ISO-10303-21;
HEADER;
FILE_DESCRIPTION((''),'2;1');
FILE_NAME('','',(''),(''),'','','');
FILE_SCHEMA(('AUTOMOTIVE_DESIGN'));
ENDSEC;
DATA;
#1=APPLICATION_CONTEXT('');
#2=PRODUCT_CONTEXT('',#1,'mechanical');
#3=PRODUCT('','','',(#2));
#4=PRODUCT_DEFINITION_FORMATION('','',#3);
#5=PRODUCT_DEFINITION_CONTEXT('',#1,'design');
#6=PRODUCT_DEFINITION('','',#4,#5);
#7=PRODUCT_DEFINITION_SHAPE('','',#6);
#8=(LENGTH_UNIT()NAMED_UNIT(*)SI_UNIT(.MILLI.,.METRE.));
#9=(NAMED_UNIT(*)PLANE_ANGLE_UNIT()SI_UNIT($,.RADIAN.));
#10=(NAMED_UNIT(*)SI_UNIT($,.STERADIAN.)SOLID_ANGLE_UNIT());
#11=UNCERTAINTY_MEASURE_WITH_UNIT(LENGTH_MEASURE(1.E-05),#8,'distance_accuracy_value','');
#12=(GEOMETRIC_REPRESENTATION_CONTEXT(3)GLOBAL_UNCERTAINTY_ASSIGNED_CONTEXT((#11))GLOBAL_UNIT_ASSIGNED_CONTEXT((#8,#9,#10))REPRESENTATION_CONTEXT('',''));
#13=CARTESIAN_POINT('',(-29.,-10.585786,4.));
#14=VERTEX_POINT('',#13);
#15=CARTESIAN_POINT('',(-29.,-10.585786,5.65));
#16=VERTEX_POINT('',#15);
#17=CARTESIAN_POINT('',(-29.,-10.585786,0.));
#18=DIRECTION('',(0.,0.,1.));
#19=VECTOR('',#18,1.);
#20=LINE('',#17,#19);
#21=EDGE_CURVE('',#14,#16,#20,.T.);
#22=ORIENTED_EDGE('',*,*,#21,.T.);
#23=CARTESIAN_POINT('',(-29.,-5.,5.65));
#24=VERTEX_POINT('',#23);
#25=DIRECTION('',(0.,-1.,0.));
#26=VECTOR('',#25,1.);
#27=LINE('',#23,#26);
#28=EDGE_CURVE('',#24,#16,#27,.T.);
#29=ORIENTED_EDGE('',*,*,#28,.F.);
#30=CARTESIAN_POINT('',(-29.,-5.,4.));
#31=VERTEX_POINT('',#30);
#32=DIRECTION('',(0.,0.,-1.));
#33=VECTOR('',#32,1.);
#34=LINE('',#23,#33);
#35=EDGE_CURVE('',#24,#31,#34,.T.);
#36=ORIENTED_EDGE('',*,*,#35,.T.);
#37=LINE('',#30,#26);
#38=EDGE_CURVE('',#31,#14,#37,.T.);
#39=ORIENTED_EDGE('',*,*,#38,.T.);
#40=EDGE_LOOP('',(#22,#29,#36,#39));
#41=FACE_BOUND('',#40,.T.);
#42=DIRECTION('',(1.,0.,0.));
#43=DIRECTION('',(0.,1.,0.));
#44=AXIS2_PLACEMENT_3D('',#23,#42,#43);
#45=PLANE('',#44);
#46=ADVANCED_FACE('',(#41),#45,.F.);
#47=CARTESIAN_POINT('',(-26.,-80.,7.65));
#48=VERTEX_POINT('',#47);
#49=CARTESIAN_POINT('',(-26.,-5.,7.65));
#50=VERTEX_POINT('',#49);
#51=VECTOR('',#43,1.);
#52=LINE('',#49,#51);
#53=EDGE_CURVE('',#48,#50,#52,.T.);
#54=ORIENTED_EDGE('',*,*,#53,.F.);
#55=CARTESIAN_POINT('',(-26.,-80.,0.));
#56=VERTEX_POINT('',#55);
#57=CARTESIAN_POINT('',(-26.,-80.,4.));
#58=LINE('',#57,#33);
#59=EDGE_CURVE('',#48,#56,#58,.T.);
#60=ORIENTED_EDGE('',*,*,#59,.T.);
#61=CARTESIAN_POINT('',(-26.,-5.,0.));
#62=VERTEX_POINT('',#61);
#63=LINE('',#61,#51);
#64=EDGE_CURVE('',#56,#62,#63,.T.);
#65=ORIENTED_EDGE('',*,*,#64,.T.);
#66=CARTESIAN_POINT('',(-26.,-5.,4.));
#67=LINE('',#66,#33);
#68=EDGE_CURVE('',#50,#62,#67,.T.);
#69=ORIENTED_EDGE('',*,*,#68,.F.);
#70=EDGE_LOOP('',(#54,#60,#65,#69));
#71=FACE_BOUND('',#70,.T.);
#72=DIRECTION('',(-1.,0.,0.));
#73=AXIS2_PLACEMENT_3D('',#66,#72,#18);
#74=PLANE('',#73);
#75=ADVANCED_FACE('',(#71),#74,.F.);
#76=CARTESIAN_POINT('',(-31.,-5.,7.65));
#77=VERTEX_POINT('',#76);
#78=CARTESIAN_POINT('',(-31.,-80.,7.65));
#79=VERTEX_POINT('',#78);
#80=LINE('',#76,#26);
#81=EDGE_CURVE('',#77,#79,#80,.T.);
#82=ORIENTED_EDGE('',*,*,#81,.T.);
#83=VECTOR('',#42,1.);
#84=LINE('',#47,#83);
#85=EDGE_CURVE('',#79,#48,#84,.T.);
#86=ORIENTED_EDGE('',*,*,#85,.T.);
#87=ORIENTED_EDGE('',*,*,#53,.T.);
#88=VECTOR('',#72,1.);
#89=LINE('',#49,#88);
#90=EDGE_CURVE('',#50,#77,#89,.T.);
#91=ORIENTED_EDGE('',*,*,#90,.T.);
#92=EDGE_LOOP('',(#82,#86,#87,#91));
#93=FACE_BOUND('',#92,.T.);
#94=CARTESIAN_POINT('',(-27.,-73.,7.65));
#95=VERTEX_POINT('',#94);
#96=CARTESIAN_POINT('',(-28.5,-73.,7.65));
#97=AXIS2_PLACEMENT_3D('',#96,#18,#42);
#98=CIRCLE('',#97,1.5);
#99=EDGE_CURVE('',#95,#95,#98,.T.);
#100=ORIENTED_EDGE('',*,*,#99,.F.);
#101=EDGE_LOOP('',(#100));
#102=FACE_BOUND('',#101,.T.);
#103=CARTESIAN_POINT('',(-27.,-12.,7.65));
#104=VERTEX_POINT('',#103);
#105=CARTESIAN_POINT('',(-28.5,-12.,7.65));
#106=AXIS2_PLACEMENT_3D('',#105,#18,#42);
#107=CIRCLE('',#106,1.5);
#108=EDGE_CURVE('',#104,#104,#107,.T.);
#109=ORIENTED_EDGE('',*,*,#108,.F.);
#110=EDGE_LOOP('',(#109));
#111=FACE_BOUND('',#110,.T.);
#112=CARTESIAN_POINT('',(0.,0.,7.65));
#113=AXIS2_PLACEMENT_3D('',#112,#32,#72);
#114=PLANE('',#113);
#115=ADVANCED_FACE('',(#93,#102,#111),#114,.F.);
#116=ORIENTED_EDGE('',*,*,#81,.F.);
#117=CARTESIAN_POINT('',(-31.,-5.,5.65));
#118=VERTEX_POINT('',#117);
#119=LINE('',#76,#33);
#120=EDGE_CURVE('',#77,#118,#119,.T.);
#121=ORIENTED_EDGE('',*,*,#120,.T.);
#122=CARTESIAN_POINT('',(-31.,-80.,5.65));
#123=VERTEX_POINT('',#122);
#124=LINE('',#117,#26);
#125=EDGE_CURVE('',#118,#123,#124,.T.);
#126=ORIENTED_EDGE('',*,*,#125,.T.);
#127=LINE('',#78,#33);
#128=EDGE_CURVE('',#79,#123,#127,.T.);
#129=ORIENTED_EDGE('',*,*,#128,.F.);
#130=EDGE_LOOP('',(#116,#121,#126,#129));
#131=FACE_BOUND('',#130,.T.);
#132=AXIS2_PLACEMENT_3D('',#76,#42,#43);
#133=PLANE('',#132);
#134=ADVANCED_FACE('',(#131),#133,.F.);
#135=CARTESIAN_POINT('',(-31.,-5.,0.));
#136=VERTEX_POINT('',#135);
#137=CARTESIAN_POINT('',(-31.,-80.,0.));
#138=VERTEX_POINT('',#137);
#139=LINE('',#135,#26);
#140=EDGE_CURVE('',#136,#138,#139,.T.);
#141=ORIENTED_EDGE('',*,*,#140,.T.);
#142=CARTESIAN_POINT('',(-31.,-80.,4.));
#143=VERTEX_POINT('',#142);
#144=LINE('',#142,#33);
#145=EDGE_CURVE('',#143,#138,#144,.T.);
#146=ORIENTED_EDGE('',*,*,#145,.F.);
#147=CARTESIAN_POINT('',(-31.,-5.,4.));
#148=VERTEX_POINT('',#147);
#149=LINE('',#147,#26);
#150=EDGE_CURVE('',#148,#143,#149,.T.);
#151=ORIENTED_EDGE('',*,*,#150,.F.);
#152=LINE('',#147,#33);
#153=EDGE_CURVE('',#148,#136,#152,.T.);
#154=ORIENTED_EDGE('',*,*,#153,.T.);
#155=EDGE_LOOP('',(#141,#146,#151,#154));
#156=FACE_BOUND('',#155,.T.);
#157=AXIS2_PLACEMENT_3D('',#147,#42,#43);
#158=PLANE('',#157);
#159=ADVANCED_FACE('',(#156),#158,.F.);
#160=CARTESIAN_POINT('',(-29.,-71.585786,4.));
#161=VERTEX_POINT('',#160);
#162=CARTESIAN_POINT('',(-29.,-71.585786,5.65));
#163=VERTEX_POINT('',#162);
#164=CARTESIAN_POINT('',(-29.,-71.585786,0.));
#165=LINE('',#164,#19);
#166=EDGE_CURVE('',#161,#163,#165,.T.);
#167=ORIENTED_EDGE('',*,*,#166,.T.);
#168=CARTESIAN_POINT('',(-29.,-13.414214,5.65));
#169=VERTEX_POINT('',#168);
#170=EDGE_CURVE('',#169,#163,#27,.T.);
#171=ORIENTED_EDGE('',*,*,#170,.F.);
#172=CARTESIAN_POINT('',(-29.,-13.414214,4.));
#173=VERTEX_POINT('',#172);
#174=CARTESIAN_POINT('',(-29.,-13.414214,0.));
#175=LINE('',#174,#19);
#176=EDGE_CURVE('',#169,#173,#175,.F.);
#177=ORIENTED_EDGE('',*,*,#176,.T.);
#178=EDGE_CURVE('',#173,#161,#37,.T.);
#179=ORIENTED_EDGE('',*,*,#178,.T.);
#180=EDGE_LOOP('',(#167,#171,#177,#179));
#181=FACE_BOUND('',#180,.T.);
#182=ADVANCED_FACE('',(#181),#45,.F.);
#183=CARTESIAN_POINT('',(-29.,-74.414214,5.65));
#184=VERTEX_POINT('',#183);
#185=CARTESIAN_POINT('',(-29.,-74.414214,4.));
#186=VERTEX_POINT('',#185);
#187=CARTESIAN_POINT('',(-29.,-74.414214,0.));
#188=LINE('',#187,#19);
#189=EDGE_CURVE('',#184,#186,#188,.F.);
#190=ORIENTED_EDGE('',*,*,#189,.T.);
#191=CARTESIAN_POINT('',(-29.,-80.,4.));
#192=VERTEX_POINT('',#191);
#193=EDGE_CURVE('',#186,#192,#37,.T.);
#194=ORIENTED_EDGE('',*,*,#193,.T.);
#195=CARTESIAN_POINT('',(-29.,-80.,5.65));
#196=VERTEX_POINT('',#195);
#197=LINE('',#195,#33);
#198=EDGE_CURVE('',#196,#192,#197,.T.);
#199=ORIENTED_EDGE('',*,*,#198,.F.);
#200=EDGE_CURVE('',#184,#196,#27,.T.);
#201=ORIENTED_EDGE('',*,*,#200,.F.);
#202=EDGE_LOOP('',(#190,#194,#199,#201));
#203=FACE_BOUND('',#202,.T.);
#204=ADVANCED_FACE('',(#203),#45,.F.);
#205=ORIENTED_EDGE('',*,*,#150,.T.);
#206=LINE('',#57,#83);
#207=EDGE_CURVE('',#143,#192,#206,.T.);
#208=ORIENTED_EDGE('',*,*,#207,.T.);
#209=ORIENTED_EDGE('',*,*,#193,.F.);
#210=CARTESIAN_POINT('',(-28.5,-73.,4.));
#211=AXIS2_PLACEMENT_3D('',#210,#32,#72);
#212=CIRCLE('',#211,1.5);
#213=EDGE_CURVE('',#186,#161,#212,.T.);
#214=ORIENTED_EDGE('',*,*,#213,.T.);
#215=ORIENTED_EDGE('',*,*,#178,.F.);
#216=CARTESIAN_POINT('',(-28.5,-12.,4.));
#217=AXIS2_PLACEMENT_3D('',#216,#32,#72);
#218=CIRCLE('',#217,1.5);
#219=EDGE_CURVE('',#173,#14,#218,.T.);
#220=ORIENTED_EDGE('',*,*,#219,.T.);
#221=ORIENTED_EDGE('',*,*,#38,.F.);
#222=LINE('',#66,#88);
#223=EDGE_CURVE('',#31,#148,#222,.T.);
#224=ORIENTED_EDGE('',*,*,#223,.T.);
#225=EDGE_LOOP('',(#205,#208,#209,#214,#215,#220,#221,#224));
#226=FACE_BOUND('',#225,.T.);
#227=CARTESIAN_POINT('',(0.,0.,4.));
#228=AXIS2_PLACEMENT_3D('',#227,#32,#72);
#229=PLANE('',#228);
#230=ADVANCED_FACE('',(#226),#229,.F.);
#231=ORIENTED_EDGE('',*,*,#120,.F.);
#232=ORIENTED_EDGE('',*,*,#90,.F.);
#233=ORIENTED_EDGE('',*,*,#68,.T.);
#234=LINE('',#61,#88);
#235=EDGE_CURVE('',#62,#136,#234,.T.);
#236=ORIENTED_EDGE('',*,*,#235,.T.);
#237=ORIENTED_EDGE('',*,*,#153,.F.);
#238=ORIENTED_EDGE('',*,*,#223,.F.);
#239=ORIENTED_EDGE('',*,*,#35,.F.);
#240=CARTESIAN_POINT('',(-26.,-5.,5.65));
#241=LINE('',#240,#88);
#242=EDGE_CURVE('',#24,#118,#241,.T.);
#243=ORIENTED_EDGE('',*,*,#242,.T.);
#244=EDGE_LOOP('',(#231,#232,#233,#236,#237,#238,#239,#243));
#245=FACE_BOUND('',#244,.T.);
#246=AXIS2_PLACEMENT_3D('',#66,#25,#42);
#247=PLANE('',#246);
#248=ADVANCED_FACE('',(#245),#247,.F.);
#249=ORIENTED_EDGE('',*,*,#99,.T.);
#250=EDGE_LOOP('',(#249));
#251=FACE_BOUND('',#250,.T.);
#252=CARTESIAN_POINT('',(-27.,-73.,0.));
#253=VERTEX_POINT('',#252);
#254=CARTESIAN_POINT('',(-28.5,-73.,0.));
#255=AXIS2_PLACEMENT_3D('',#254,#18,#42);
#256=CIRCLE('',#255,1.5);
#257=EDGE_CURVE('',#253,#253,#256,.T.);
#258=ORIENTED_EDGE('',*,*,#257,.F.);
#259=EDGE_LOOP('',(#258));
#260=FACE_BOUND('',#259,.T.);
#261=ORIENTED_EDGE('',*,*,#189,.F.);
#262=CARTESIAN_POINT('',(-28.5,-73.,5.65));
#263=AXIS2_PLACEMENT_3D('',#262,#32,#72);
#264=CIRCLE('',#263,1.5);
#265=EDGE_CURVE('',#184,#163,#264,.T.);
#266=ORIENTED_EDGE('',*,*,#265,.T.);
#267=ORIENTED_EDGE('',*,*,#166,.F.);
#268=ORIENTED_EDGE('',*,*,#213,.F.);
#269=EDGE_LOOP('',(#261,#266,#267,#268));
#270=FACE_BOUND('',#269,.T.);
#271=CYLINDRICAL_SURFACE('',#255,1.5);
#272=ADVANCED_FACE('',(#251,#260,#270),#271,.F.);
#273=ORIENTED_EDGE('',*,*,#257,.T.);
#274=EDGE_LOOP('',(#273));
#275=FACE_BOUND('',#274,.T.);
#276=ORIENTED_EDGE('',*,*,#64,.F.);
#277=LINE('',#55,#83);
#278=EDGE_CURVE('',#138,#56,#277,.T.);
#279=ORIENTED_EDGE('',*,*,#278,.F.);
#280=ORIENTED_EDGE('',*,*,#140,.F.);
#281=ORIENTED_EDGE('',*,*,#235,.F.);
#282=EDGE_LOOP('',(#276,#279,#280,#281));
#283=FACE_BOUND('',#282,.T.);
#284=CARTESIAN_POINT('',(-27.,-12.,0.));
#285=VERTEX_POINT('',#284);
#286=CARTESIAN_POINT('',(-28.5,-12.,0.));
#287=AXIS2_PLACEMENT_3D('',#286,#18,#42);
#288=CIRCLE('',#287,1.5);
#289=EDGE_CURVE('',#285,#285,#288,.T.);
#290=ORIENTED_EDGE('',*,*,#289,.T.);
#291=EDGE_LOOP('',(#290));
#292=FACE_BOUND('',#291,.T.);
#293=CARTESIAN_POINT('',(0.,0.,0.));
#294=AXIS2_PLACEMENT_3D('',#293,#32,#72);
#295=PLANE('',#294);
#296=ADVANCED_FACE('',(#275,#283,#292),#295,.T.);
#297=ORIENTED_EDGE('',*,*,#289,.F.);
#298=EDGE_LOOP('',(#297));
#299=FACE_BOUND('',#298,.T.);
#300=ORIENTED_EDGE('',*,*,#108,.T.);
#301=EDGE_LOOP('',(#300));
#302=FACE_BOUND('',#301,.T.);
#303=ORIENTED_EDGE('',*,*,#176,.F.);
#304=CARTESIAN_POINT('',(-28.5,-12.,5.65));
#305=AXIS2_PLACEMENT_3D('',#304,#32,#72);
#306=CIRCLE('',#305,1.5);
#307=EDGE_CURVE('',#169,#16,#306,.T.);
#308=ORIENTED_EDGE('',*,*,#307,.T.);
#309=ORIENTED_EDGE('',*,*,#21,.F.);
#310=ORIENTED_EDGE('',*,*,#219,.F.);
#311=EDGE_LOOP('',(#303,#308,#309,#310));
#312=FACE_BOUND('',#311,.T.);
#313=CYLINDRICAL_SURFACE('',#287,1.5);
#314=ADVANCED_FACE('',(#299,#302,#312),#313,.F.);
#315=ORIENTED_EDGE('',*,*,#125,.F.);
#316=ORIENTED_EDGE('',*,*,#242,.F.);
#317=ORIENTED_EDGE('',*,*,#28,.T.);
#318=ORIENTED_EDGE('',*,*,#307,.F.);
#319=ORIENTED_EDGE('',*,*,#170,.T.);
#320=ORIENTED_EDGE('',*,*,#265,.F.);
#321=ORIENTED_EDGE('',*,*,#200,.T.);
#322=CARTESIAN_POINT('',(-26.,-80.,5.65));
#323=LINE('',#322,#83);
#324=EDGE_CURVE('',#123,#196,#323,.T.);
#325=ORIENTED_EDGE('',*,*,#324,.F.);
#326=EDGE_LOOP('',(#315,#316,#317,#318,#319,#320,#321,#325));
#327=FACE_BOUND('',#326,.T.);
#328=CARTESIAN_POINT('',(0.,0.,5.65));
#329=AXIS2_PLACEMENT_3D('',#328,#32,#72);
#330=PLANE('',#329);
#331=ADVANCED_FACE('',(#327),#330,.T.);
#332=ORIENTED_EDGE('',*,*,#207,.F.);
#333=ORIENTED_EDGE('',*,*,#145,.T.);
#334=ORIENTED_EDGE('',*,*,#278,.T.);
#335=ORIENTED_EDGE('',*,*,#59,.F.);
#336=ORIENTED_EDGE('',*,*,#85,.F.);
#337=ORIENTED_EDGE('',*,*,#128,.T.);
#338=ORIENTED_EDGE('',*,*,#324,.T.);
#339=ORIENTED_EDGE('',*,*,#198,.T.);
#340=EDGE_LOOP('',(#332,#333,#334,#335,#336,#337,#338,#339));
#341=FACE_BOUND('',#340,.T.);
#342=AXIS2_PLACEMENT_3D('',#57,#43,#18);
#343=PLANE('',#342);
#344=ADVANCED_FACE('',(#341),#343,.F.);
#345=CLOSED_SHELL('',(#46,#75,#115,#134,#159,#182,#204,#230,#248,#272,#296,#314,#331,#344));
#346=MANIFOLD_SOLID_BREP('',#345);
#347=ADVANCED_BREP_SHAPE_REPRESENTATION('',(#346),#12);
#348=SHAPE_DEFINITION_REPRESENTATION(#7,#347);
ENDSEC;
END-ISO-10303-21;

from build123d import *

# Parameters (mm, degrees)
SKETCH1_W           = 5
SKETCH1_H           = 75
BOSS_EXTRUDE1_DEPTH = 4
SKETCH2_W           = 3
SKETCH2_H           = 75
BOSS_EXTRUDE2_DEPTH = 1.65
SKETCH3_W           = 5
SKETCH3_H           = 75
BOSS_EXTRUDE3_DEPTH = 2
SKETCH4_R           = 1.5
CUT_EXTRUDE1_DEPTH  = 87.136650155


with BuildPart() as part:
    # Sketch1 → Boss-Extrude1 (new body)
    with BuildSketch(Plane.XY):
        with Locations((-28.5, -42.5)):
            Rectangle(SKETCH1_W, SKETCH1_H)
    extrude(amount=BOSS_EXTRUDE1_DEPTH)

    # Sketch2 → Boss-Extrude2 (add)
    with BuildSketch(Plane.XY.offset(4)):
        with Locations((-27.5, -42.5)):
            Rectangle(SKETCH2_W, SKETCH2_H)
    extrude(amount=BOSS_EXTRUDE2_DEPTH)

    # Sketch3 → Boss-Extrude3 (add)
    with BuildSketch(Plane.XY.offset(5.65)):
        with Locations((-28.5, -42.5)):
            Rectangle(SKETCH3_W, SKETCH3_H)
    extrude(amount=BOSS_EXTRUDE3_DEPTH)

    # Sketch4 → Cut-Extrude1 (cut, through all)
    with BuildSketch(Plane.XY.offset(7.65)):
        with Locations((-28.5, -73)):
            Circle(SKETCH4_R)
        with Locations((-28.5, -12)):
            Circle(SKETCH4_R)
    extrude(amount=-CUT_EXTRUDE1_DEPTH, mode=Mode.SUBTRACT)


solid = part.part
